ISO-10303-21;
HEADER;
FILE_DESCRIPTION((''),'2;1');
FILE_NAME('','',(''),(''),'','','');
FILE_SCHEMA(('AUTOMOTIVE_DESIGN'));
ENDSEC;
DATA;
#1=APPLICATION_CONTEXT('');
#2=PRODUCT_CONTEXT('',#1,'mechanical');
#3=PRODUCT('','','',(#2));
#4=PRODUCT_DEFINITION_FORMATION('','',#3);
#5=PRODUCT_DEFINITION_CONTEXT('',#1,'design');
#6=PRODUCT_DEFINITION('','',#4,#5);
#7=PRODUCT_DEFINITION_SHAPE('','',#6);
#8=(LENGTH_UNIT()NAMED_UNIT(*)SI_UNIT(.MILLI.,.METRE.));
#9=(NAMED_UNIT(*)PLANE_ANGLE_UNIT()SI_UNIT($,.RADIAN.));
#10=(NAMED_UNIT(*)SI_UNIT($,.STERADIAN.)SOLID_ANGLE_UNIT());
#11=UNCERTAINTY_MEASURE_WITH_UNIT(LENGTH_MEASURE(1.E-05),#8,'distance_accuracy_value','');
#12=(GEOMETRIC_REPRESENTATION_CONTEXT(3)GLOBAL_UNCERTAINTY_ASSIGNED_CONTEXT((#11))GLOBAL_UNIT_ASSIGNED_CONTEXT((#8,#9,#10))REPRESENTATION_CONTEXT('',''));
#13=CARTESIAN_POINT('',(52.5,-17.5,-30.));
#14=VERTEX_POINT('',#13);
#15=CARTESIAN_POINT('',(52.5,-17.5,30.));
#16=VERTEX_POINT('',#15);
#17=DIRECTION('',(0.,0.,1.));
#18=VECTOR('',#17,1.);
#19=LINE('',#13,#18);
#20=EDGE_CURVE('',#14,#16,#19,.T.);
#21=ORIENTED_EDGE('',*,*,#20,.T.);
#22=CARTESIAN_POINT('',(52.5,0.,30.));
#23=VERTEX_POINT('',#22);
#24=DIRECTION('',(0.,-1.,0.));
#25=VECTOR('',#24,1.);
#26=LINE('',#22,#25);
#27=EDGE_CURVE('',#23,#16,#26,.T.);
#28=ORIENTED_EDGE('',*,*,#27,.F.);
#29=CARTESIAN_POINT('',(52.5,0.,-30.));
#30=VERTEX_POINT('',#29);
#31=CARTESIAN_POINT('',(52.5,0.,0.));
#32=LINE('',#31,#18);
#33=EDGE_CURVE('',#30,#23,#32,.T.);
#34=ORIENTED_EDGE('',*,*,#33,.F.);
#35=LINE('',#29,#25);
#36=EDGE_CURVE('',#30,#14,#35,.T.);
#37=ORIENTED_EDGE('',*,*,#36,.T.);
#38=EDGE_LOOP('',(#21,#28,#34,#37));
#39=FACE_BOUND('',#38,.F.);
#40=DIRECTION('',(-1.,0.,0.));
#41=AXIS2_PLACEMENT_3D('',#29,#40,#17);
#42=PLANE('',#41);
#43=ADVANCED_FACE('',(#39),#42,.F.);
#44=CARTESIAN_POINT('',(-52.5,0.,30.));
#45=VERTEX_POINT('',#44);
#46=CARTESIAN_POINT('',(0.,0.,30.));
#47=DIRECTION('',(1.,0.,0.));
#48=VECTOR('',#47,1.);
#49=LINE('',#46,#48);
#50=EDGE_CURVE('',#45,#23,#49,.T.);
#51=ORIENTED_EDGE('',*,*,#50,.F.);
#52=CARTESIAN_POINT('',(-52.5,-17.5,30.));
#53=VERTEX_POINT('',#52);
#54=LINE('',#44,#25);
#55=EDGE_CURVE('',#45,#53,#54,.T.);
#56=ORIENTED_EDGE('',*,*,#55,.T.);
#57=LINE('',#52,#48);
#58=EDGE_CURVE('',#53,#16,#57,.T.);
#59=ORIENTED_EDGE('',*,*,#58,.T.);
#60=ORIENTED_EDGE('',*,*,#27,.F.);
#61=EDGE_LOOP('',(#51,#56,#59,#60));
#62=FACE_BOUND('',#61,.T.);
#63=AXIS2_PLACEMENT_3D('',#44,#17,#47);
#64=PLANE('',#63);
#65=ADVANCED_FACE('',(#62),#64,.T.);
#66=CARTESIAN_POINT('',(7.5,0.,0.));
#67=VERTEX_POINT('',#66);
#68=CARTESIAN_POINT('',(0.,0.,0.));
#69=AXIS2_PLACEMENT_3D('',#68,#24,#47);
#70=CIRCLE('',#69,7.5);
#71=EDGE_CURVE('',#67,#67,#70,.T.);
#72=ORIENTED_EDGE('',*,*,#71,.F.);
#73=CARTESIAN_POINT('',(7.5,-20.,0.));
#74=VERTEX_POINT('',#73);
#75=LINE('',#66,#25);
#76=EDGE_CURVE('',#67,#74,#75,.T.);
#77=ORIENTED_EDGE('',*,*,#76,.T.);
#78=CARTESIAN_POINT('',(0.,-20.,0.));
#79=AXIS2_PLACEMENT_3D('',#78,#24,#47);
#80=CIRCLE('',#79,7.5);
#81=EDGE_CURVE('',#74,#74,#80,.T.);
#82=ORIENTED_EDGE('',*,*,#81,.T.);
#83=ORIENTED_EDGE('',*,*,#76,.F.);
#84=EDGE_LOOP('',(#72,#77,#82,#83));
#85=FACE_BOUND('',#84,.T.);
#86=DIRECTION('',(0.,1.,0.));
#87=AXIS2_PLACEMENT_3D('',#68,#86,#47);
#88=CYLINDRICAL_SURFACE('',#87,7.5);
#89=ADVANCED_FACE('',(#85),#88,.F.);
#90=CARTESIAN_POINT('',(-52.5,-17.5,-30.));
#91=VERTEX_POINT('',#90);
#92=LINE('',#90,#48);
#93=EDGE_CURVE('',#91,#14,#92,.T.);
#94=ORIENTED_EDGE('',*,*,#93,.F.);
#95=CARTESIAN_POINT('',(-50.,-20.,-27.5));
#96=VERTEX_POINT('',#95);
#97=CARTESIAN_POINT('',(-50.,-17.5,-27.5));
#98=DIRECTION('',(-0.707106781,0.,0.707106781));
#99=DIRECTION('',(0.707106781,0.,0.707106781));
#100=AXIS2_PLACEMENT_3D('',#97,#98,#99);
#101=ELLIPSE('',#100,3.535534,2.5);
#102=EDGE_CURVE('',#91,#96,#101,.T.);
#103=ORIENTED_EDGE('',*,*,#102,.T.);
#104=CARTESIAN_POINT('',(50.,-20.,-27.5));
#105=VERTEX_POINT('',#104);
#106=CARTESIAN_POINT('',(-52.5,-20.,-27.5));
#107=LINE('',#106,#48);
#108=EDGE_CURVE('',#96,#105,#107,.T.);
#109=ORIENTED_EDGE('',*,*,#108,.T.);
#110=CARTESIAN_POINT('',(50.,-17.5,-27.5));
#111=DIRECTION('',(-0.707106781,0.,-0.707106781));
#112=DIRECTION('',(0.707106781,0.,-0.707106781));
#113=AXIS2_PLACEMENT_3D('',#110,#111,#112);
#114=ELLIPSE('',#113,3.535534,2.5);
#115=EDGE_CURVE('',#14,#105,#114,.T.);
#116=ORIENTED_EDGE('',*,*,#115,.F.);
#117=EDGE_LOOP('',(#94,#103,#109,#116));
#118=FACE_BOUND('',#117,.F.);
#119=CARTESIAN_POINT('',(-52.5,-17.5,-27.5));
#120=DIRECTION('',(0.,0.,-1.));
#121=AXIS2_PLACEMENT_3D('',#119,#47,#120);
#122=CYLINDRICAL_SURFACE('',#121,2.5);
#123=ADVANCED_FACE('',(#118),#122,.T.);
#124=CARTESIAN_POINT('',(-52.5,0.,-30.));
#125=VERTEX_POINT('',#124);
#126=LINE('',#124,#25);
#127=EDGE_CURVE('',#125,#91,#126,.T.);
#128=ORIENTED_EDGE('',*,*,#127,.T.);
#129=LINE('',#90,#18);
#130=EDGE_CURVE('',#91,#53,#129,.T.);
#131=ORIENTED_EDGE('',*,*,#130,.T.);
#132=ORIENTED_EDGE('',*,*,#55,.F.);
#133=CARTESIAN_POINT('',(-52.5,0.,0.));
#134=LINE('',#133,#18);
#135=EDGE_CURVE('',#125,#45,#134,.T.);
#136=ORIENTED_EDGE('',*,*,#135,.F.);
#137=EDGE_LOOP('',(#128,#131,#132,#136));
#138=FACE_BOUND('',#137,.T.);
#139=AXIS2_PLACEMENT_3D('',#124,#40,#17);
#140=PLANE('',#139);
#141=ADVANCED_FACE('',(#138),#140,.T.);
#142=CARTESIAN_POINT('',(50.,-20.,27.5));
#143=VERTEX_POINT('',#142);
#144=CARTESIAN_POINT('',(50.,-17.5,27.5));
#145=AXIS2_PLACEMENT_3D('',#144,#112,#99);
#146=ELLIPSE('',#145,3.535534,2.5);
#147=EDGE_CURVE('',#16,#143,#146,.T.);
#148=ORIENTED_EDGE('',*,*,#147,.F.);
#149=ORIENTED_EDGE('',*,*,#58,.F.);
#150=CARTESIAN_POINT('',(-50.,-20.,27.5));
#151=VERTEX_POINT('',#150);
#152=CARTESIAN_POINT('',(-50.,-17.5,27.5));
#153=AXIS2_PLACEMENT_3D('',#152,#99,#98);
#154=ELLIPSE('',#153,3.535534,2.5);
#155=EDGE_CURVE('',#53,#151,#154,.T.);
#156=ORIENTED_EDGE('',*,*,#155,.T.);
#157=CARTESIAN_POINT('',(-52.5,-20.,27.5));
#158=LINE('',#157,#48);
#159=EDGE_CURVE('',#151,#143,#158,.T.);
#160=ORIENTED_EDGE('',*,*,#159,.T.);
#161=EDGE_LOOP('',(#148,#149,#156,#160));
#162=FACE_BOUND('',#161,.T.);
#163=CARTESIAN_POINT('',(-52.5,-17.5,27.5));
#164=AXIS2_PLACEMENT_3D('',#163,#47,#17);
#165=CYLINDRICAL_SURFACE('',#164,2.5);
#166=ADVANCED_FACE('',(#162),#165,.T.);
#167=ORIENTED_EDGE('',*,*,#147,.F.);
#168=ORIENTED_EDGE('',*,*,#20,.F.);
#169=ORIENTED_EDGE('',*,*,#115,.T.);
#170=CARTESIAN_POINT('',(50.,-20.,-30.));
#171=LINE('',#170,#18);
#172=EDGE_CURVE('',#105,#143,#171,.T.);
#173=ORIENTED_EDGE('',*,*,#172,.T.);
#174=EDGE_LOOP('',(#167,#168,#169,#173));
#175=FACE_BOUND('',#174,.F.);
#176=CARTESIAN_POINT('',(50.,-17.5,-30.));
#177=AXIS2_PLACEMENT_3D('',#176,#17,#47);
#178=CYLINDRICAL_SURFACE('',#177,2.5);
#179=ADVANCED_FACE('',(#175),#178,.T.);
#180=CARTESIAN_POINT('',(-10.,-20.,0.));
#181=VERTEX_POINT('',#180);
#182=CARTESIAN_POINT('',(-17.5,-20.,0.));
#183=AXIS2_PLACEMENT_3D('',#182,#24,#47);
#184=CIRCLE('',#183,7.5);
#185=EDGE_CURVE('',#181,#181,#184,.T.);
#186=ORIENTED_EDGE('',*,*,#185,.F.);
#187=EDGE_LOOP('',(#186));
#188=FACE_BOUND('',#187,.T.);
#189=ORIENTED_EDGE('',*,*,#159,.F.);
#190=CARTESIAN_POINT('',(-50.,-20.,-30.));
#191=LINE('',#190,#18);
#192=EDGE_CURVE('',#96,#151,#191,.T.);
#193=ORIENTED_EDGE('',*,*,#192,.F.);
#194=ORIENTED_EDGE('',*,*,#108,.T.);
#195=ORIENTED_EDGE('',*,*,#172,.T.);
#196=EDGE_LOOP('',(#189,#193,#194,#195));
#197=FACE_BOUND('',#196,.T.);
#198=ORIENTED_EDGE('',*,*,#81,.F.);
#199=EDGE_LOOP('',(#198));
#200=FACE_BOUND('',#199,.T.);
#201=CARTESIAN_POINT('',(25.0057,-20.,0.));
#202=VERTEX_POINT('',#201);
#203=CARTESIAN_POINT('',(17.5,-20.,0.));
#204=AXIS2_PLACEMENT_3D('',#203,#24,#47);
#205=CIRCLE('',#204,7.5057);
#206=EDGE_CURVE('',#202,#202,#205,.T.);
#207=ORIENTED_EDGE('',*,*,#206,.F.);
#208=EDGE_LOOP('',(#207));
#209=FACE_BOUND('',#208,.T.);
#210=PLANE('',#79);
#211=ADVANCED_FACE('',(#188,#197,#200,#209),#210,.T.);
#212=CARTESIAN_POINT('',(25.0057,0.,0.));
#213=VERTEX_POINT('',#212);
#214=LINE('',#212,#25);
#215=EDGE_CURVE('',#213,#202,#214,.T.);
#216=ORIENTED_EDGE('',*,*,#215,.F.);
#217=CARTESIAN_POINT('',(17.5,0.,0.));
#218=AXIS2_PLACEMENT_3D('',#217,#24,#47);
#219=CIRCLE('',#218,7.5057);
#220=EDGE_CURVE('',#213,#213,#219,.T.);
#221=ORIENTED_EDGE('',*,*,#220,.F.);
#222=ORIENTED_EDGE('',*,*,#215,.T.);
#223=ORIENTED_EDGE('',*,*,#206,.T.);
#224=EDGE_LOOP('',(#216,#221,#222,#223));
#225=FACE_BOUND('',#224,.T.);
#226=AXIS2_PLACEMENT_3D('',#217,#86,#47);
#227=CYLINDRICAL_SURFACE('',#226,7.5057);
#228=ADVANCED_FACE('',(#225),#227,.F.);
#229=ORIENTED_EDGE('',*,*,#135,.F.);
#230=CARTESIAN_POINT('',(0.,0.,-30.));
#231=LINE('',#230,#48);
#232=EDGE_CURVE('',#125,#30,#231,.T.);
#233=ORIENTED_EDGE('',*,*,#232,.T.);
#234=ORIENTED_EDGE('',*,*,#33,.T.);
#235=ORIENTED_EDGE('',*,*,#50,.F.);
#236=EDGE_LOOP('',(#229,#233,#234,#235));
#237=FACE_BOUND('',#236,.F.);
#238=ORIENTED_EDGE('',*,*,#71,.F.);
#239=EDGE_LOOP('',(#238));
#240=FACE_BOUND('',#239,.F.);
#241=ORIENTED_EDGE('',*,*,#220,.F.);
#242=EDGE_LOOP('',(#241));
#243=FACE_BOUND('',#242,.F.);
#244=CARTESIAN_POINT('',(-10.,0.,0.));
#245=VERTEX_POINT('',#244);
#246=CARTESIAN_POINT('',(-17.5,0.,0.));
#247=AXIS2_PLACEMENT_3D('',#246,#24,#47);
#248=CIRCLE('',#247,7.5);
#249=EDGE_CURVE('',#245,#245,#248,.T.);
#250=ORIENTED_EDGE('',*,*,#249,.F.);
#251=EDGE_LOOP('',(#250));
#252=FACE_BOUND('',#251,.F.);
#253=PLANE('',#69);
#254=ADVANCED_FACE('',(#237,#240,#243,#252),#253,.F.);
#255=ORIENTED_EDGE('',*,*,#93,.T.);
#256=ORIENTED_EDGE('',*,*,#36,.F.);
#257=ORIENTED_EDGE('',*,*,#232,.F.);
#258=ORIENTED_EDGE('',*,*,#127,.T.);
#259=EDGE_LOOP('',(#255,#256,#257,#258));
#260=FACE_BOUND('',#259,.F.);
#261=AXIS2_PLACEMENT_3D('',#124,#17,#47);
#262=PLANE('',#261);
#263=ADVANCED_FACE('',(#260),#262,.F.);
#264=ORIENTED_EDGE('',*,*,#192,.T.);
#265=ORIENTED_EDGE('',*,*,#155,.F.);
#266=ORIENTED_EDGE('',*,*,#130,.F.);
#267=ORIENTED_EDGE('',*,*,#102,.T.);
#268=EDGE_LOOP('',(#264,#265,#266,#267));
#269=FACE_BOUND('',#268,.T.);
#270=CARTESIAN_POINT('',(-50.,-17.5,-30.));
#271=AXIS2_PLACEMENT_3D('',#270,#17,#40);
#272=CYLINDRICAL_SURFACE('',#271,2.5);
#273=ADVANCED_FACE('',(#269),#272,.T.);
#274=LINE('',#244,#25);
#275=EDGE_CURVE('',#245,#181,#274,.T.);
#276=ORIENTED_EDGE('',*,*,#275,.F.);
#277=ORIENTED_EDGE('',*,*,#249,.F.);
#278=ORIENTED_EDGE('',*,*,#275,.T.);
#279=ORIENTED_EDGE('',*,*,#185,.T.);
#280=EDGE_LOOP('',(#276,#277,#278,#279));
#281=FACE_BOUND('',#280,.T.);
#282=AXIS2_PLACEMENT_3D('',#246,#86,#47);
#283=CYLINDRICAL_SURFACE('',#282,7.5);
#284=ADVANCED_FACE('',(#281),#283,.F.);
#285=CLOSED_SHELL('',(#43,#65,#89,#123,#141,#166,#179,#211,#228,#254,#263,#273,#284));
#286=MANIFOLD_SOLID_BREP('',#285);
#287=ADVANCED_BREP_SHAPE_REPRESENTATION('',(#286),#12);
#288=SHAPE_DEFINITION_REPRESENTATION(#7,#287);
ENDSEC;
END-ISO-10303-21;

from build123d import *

# Parameters (mm, degrees)
F0_W     = 105
F0_H     = 60
F0_R     = 7.5
F0_R_2   = 7.5057
F1_DEPTH = 20
F2_R     = 2.5


with BuildPart() as f1:
    # F0 (on Front) → F1 (new body)
    with BuildSketch(Plane.XZ):
        Rectangle(F0_W, F0_H)
        with Locations((-17.5, 0)):
            Circle(F0_R, mode=Mode.SUBTRACT)
        Circle(F0_R, mode=Mode.SUBTRACT)
        with Locations((17.5, 0)):
            Circle(F0_R_2, mode=Mode.SUBTRACT)
    extrude(amount=F1_DEPTH)

    # F2
    f2_edges = [f1.edges().sort_by_distance(p)[0] for p in [
        (-52.5, -20, 0),
        (0, -20, 30),
        (0, -20, -30),
        (52.5, -20, 0),
    ]]
    fillet(f2_edges, radius=F2_R)


solid = f1.part
